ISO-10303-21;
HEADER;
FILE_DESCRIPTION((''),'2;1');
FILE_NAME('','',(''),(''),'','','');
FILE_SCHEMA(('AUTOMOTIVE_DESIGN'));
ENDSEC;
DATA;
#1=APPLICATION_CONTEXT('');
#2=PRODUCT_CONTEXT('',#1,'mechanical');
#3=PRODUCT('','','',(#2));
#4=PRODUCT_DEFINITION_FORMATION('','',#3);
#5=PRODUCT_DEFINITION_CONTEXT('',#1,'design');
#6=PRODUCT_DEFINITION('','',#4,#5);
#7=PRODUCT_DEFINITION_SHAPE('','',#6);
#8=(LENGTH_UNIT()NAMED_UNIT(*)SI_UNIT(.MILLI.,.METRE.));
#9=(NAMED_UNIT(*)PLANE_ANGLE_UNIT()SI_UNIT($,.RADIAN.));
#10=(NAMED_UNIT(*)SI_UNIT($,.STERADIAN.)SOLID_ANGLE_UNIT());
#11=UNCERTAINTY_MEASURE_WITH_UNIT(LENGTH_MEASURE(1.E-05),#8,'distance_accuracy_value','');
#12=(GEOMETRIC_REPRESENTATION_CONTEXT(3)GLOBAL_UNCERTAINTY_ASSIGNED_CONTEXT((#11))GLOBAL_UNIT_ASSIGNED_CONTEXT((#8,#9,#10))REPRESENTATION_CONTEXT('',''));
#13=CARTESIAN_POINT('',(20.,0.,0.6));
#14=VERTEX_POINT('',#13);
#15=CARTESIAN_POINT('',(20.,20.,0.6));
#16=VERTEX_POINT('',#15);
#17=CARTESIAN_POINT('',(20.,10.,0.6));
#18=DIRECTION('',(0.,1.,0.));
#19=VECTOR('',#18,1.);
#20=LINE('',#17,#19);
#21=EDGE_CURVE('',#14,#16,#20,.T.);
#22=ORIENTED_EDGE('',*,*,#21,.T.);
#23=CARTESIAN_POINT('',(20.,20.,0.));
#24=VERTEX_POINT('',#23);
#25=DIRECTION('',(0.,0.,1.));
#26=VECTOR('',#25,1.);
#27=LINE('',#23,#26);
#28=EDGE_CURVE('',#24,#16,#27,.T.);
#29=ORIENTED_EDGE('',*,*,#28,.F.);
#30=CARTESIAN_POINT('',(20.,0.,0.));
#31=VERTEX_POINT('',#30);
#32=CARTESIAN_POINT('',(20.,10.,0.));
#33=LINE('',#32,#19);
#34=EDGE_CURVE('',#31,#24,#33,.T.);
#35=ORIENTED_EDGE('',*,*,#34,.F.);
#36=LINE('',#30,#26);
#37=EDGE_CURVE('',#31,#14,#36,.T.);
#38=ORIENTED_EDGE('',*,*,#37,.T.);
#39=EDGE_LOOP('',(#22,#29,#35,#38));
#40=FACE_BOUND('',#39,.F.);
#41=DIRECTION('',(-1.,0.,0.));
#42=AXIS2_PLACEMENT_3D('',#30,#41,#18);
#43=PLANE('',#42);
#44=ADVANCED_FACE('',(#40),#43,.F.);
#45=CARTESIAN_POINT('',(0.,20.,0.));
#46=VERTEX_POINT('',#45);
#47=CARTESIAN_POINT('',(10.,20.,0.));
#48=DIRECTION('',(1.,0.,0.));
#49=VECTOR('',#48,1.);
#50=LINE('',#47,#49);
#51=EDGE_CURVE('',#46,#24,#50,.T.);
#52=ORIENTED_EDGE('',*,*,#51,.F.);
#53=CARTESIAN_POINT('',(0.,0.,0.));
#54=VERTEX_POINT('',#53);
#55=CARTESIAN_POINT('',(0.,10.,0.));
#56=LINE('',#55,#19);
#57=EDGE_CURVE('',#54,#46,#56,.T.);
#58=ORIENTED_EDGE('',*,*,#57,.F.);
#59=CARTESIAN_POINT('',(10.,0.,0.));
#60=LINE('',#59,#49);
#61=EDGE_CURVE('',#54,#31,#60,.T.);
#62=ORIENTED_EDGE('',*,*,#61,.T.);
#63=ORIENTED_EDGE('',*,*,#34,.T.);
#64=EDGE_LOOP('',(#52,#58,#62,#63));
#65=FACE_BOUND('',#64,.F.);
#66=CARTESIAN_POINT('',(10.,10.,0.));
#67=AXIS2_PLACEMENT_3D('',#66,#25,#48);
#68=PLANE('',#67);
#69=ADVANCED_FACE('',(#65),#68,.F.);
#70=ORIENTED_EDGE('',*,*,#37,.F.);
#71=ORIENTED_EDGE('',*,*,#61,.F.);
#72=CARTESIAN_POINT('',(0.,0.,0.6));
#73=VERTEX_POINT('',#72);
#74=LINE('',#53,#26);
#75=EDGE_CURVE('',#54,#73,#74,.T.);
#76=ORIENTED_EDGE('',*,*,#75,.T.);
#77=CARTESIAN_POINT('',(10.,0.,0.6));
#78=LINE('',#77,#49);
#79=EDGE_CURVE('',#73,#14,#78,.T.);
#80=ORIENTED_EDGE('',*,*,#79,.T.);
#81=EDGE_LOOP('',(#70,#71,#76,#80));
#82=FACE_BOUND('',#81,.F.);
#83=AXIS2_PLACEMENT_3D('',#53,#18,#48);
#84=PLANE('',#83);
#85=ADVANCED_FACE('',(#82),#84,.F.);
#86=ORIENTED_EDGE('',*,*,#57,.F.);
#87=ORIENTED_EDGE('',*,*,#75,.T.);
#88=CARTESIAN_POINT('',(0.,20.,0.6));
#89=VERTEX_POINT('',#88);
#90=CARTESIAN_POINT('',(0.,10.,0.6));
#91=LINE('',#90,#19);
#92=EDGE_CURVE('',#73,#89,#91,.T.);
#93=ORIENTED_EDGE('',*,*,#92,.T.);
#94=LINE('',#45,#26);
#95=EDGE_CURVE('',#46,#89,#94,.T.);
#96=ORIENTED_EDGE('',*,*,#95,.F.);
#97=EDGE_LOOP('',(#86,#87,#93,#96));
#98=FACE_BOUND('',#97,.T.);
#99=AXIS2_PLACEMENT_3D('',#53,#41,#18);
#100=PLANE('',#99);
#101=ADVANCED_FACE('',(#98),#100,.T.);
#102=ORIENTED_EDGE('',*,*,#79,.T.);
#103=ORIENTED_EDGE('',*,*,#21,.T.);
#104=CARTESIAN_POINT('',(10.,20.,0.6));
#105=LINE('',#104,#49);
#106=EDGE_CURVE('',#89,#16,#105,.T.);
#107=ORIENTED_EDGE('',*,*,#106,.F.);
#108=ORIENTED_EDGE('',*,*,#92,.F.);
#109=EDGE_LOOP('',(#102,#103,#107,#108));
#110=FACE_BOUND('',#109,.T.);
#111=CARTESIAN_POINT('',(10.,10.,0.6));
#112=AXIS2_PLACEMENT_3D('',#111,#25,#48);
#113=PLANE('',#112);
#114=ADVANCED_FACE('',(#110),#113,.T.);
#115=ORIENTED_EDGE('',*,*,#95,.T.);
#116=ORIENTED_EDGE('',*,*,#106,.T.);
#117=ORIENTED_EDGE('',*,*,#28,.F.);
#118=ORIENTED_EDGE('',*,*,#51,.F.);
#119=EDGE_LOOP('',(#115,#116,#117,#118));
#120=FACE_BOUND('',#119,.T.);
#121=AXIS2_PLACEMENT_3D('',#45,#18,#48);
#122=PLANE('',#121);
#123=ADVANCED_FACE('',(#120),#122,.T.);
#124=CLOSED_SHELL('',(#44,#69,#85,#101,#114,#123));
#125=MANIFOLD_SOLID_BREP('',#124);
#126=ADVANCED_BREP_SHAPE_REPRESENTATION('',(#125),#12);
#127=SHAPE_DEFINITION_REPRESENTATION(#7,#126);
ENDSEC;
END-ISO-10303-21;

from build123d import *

# Parameters (mm, degrees)
BOX_W     = 20
BOX_H     = 20
BOX_DEPTH = 0.6


with BuildPart() as part:
    # Box → Box (new body)
    with BuildSketch(Plane.XY):
        with Locations((10, 10)):
            Rectangle(BOX_W, BOX_H)
    extrude(amount=BOX_DEPTH)


solid = part.part
